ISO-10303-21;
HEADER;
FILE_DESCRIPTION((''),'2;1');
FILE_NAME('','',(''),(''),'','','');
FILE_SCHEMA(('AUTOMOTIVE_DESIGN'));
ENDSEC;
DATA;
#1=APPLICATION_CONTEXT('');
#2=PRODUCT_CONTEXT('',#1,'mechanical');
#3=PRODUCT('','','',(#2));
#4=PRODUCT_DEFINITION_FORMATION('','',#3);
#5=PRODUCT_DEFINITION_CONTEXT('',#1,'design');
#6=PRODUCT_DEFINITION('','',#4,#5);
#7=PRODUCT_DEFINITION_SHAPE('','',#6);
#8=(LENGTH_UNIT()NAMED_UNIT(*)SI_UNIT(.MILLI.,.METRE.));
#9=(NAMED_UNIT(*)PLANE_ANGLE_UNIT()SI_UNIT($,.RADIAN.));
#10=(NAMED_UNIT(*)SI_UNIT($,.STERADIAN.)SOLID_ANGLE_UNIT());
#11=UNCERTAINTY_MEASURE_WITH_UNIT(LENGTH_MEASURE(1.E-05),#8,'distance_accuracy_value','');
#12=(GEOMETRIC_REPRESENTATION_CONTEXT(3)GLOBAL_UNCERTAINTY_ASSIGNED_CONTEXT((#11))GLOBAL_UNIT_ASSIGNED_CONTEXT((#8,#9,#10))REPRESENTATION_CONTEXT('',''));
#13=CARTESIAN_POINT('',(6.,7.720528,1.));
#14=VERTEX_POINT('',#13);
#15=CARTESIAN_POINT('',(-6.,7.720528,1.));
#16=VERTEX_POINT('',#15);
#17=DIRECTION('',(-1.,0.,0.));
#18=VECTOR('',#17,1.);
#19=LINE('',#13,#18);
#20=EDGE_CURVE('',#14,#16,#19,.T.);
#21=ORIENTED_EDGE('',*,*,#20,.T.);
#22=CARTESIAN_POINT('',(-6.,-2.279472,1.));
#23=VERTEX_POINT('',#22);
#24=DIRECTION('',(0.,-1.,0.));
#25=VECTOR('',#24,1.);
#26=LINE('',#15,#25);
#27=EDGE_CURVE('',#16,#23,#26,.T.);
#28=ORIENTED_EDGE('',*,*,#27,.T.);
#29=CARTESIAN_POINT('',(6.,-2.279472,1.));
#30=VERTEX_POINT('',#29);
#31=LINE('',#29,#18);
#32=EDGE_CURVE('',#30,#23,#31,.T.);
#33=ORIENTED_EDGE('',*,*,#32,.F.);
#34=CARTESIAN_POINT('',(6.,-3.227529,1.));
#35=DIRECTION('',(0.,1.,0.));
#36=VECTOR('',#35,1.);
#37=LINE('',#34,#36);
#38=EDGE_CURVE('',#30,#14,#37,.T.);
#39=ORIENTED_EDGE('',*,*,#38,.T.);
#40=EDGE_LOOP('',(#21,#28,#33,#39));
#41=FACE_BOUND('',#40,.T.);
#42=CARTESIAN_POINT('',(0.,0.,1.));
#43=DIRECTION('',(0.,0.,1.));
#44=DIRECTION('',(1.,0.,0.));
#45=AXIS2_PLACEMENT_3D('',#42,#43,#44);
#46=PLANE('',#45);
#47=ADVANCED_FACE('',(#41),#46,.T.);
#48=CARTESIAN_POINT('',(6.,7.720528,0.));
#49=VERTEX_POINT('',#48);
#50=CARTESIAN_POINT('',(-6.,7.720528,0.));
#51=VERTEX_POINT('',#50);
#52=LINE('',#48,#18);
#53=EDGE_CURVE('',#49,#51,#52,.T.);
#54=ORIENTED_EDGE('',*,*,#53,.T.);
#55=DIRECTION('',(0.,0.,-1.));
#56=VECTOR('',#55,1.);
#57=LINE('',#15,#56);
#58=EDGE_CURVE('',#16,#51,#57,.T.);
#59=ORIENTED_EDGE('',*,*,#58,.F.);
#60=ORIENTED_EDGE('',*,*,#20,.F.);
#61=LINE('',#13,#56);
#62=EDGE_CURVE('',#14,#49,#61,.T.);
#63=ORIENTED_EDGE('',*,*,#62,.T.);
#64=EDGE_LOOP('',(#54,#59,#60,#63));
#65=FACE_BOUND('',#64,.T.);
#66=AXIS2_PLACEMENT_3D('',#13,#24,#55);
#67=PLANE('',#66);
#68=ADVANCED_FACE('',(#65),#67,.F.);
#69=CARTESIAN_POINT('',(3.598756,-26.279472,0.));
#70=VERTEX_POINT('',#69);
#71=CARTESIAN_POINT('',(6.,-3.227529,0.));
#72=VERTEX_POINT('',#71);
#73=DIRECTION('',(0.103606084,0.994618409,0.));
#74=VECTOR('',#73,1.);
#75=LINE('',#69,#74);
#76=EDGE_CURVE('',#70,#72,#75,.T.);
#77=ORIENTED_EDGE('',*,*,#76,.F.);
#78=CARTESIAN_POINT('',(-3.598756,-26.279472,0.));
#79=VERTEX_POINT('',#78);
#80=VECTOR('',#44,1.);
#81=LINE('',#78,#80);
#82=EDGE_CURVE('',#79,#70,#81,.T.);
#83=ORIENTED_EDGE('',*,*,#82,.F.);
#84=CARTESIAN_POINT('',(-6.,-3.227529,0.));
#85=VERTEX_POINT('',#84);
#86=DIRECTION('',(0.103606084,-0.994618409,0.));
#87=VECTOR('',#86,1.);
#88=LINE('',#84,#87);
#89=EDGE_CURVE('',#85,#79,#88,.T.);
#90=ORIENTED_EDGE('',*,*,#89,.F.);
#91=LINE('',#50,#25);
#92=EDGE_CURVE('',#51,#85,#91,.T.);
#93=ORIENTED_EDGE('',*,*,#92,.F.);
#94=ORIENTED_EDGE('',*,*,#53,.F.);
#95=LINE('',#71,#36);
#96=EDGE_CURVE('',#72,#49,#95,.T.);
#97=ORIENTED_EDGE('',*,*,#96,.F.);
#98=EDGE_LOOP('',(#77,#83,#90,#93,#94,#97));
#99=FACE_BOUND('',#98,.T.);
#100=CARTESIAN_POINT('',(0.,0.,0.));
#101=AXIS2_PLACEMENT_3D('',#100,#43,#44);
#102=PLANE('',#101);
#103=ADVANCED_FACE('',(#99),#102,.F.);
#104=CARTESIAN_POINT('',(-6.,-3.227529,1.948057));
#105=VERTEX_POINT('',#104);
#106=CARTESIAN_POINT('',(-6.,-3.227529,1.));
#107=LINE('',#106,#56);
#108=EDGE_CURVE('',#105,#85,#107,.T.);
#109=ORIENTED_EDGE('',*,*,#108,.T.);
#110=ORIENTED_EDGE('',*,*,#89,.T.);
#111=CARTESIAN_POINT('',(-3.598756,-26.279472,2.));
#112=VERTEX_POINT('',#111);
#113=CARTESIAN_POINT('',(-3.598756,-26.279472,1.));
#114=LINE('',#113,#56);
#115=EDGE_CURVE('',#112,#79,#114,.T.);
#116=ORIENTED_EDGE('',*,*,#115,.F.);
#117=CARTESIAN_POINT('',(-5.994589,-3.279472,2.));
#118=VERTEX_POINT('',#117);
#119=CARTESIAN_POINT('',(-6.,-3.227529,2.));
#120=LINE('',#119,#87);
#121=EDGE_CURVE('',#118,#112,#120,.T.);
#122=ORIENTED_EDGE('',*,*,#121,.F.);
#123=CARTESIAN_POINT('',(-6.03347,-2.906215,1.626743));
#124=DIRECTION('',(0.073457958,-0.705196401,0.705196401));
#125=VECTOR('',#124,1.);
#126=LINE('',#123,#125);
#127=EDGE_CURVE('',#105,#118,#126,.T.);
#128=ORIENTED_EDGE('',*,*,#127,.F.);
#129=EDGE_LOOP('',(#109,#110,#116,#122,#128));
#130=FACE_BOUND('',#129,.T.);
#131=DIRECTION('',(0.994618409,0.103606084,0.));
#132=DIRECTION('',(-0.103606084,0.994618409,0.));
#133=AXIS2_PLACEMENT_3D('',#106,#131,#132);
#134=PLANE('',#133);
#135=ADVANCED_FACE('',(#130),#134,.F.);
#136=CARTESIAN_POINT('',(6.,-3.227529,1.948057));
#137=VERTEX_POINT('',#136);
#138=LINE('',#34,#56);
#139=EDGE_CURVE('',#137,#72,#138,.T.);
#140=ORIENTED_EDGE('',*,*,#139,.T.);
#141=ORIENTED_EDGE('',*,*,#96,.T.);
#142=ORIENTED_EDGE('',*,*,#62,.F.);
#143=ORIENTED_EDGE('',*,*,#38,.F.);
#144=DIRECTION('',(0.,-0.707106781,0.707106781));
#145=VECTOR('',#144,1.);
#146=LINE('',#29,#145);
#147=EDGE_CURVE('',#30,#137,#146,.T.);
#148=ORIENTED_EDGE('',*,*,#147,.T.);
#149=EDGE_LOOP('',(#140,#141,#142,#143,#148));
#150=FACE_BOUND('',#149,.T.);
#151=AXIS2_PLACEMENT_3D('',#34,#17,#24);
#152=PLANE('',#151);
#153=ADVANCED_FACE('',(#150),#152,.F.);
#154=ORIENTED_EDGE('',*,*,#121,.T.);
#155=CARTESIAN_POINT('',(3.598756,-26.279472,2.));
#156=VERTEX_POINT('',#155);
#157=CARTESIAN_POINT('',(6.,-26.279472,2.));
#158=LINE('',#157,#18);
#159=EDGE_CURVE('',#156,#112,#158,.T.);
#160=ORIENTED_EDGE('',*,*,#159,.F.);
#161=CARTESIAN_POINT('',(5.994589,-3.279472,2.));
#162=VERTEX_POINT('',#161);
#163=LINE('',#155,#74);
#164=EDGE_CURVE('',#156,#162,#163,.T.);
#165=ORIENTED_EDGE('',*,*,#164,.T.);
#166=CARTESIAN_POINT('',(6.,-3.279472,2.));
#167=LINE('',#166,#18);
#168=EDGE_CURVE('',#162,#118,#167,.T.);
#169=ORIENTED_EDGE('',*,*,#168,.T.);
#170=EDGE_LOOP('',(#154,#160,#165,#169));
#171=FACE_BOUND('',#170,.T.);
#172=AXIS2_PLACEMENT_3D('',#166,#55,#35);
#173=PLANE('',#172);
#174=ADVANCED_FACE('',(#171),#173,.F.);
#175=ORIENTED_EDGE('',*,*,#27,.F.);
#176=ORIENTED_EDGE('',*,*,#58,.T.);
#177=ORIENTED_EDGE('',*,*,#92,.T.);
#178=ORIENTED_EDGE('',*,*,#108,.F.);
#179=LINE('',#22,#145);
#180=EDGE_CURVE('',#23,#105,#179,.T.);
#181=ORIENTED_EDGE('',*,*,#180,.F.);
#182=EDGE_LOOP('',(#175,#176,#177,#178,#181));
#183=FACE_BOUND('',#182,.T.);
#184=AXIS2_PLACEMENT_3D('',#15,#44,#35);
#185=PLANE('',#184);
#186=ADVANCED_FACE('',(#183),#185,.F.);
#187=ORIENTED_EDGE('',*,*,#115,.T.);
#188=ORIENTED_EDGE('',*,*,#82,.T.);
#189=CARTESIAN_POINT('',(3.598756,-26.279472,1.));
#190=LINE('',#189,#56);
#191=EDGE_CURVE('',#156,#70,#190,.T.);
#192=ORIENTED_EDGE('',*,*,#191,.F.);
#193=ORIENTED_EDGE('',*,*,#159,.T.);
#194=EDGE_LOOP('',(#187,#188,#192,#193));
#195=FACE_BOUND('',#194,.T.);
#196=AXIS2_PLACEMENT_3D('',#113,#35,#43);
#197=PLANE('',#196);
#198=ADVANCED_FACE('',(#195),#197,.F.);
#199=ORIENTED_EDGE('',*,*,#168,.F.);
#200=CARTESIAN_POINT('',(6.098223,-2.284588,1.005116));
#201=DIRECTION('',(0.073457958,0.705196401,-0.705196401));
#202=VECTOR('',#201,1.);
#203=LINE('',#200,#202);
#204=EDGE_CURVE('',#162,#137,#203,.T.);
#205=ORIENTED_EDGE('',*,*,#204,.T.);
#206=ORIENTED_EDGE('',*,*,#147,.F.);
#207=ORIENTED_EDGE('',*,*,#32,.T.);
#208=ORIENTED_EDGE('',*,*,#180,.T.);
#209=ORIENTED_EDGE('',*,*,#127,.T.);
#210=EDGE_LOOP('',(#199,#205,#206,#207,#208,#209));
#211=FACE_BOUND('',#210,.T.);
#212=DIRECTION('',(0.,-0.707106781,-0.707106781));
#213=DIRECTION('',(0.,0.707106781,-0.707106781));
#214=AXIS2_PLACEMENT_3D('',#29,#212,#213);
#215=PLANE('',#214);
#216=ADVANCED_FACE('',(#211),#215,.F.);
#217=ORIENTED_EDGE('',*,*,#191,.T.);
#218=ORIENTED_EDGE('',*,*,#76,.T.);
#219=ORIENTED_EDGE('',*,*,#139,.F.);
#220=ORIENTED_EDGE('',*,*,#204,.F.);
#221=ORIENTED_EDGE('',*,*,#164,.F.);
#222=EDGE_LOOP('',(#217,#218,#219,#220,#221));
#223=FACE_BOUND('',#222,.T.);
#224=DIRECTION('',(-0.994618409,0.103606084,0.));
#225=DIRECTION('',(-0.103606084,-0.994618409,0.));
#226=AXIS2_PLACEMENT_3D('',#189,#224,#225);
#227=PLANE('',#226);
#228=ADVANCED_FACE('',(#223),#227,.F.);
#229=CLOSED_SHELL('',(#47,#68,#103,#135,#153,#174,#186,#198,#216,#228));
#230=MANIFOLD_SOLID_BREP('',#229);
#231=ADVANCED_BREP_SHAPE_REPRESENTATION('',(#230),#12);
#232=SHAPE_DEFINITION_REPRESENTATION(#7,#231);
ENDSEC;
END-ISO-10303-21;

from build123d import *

# Parameters (mm, degrees)
EXTRUDE_1_DEPTH     = 1
EXTRUDE_2_DEPTH     = 6
CUT_EXTRUDE_1_DEPTH = 27.97425922


with BuildPart() as part:
    # 草图1 → 凸台-拉伸1 (new body)
    with BuildSketch(Plane.XY):
        Polygon((6, -3.227529416), (6, 7.720527774), (-6, 7.720527774), (-6, -3.227529416), (-3.598755957, -26.279472226), (3.598755957, -26.279472226), align=None)
    extrude(amount=EXTRUDE_1_DEPTH)

    # 草图2 → 凸台-拉伸2 (add, symmetric)
    with BuildSketch(Plane(origin=(0, 0, 0), x_dir=(0, 0, -1), z_dir=(1, 0, 0))):
        Polygon((-2, -26.279472226), (-1, -26.279472226), (-1, -2.279472226), (-2, -3.279472226), align=None)
    extrude(amount=EXTRUDE_2_DEPTH, both=True)

    # 草图3 → 切除-拉伸1 (cut, through all)
    with BuildSketch(Plane(origin=(0, 0, 1), x_dir=(-1, 0, 0), z_dir=(0, 0, -1))):
        Polygon((6, -26.279472226), (6, -3.227529416), (3.598755957, -26.279472226), align=None)
        Polygon((-6, -26.279472226), (-3.598755957, -26.279472226), (-6, -3.227529416), align=None)
    extrude(amount=-CUT_EXTRUDE_1_DEPTH, mode=Mode.SUBTRACT)


solid = part.part
